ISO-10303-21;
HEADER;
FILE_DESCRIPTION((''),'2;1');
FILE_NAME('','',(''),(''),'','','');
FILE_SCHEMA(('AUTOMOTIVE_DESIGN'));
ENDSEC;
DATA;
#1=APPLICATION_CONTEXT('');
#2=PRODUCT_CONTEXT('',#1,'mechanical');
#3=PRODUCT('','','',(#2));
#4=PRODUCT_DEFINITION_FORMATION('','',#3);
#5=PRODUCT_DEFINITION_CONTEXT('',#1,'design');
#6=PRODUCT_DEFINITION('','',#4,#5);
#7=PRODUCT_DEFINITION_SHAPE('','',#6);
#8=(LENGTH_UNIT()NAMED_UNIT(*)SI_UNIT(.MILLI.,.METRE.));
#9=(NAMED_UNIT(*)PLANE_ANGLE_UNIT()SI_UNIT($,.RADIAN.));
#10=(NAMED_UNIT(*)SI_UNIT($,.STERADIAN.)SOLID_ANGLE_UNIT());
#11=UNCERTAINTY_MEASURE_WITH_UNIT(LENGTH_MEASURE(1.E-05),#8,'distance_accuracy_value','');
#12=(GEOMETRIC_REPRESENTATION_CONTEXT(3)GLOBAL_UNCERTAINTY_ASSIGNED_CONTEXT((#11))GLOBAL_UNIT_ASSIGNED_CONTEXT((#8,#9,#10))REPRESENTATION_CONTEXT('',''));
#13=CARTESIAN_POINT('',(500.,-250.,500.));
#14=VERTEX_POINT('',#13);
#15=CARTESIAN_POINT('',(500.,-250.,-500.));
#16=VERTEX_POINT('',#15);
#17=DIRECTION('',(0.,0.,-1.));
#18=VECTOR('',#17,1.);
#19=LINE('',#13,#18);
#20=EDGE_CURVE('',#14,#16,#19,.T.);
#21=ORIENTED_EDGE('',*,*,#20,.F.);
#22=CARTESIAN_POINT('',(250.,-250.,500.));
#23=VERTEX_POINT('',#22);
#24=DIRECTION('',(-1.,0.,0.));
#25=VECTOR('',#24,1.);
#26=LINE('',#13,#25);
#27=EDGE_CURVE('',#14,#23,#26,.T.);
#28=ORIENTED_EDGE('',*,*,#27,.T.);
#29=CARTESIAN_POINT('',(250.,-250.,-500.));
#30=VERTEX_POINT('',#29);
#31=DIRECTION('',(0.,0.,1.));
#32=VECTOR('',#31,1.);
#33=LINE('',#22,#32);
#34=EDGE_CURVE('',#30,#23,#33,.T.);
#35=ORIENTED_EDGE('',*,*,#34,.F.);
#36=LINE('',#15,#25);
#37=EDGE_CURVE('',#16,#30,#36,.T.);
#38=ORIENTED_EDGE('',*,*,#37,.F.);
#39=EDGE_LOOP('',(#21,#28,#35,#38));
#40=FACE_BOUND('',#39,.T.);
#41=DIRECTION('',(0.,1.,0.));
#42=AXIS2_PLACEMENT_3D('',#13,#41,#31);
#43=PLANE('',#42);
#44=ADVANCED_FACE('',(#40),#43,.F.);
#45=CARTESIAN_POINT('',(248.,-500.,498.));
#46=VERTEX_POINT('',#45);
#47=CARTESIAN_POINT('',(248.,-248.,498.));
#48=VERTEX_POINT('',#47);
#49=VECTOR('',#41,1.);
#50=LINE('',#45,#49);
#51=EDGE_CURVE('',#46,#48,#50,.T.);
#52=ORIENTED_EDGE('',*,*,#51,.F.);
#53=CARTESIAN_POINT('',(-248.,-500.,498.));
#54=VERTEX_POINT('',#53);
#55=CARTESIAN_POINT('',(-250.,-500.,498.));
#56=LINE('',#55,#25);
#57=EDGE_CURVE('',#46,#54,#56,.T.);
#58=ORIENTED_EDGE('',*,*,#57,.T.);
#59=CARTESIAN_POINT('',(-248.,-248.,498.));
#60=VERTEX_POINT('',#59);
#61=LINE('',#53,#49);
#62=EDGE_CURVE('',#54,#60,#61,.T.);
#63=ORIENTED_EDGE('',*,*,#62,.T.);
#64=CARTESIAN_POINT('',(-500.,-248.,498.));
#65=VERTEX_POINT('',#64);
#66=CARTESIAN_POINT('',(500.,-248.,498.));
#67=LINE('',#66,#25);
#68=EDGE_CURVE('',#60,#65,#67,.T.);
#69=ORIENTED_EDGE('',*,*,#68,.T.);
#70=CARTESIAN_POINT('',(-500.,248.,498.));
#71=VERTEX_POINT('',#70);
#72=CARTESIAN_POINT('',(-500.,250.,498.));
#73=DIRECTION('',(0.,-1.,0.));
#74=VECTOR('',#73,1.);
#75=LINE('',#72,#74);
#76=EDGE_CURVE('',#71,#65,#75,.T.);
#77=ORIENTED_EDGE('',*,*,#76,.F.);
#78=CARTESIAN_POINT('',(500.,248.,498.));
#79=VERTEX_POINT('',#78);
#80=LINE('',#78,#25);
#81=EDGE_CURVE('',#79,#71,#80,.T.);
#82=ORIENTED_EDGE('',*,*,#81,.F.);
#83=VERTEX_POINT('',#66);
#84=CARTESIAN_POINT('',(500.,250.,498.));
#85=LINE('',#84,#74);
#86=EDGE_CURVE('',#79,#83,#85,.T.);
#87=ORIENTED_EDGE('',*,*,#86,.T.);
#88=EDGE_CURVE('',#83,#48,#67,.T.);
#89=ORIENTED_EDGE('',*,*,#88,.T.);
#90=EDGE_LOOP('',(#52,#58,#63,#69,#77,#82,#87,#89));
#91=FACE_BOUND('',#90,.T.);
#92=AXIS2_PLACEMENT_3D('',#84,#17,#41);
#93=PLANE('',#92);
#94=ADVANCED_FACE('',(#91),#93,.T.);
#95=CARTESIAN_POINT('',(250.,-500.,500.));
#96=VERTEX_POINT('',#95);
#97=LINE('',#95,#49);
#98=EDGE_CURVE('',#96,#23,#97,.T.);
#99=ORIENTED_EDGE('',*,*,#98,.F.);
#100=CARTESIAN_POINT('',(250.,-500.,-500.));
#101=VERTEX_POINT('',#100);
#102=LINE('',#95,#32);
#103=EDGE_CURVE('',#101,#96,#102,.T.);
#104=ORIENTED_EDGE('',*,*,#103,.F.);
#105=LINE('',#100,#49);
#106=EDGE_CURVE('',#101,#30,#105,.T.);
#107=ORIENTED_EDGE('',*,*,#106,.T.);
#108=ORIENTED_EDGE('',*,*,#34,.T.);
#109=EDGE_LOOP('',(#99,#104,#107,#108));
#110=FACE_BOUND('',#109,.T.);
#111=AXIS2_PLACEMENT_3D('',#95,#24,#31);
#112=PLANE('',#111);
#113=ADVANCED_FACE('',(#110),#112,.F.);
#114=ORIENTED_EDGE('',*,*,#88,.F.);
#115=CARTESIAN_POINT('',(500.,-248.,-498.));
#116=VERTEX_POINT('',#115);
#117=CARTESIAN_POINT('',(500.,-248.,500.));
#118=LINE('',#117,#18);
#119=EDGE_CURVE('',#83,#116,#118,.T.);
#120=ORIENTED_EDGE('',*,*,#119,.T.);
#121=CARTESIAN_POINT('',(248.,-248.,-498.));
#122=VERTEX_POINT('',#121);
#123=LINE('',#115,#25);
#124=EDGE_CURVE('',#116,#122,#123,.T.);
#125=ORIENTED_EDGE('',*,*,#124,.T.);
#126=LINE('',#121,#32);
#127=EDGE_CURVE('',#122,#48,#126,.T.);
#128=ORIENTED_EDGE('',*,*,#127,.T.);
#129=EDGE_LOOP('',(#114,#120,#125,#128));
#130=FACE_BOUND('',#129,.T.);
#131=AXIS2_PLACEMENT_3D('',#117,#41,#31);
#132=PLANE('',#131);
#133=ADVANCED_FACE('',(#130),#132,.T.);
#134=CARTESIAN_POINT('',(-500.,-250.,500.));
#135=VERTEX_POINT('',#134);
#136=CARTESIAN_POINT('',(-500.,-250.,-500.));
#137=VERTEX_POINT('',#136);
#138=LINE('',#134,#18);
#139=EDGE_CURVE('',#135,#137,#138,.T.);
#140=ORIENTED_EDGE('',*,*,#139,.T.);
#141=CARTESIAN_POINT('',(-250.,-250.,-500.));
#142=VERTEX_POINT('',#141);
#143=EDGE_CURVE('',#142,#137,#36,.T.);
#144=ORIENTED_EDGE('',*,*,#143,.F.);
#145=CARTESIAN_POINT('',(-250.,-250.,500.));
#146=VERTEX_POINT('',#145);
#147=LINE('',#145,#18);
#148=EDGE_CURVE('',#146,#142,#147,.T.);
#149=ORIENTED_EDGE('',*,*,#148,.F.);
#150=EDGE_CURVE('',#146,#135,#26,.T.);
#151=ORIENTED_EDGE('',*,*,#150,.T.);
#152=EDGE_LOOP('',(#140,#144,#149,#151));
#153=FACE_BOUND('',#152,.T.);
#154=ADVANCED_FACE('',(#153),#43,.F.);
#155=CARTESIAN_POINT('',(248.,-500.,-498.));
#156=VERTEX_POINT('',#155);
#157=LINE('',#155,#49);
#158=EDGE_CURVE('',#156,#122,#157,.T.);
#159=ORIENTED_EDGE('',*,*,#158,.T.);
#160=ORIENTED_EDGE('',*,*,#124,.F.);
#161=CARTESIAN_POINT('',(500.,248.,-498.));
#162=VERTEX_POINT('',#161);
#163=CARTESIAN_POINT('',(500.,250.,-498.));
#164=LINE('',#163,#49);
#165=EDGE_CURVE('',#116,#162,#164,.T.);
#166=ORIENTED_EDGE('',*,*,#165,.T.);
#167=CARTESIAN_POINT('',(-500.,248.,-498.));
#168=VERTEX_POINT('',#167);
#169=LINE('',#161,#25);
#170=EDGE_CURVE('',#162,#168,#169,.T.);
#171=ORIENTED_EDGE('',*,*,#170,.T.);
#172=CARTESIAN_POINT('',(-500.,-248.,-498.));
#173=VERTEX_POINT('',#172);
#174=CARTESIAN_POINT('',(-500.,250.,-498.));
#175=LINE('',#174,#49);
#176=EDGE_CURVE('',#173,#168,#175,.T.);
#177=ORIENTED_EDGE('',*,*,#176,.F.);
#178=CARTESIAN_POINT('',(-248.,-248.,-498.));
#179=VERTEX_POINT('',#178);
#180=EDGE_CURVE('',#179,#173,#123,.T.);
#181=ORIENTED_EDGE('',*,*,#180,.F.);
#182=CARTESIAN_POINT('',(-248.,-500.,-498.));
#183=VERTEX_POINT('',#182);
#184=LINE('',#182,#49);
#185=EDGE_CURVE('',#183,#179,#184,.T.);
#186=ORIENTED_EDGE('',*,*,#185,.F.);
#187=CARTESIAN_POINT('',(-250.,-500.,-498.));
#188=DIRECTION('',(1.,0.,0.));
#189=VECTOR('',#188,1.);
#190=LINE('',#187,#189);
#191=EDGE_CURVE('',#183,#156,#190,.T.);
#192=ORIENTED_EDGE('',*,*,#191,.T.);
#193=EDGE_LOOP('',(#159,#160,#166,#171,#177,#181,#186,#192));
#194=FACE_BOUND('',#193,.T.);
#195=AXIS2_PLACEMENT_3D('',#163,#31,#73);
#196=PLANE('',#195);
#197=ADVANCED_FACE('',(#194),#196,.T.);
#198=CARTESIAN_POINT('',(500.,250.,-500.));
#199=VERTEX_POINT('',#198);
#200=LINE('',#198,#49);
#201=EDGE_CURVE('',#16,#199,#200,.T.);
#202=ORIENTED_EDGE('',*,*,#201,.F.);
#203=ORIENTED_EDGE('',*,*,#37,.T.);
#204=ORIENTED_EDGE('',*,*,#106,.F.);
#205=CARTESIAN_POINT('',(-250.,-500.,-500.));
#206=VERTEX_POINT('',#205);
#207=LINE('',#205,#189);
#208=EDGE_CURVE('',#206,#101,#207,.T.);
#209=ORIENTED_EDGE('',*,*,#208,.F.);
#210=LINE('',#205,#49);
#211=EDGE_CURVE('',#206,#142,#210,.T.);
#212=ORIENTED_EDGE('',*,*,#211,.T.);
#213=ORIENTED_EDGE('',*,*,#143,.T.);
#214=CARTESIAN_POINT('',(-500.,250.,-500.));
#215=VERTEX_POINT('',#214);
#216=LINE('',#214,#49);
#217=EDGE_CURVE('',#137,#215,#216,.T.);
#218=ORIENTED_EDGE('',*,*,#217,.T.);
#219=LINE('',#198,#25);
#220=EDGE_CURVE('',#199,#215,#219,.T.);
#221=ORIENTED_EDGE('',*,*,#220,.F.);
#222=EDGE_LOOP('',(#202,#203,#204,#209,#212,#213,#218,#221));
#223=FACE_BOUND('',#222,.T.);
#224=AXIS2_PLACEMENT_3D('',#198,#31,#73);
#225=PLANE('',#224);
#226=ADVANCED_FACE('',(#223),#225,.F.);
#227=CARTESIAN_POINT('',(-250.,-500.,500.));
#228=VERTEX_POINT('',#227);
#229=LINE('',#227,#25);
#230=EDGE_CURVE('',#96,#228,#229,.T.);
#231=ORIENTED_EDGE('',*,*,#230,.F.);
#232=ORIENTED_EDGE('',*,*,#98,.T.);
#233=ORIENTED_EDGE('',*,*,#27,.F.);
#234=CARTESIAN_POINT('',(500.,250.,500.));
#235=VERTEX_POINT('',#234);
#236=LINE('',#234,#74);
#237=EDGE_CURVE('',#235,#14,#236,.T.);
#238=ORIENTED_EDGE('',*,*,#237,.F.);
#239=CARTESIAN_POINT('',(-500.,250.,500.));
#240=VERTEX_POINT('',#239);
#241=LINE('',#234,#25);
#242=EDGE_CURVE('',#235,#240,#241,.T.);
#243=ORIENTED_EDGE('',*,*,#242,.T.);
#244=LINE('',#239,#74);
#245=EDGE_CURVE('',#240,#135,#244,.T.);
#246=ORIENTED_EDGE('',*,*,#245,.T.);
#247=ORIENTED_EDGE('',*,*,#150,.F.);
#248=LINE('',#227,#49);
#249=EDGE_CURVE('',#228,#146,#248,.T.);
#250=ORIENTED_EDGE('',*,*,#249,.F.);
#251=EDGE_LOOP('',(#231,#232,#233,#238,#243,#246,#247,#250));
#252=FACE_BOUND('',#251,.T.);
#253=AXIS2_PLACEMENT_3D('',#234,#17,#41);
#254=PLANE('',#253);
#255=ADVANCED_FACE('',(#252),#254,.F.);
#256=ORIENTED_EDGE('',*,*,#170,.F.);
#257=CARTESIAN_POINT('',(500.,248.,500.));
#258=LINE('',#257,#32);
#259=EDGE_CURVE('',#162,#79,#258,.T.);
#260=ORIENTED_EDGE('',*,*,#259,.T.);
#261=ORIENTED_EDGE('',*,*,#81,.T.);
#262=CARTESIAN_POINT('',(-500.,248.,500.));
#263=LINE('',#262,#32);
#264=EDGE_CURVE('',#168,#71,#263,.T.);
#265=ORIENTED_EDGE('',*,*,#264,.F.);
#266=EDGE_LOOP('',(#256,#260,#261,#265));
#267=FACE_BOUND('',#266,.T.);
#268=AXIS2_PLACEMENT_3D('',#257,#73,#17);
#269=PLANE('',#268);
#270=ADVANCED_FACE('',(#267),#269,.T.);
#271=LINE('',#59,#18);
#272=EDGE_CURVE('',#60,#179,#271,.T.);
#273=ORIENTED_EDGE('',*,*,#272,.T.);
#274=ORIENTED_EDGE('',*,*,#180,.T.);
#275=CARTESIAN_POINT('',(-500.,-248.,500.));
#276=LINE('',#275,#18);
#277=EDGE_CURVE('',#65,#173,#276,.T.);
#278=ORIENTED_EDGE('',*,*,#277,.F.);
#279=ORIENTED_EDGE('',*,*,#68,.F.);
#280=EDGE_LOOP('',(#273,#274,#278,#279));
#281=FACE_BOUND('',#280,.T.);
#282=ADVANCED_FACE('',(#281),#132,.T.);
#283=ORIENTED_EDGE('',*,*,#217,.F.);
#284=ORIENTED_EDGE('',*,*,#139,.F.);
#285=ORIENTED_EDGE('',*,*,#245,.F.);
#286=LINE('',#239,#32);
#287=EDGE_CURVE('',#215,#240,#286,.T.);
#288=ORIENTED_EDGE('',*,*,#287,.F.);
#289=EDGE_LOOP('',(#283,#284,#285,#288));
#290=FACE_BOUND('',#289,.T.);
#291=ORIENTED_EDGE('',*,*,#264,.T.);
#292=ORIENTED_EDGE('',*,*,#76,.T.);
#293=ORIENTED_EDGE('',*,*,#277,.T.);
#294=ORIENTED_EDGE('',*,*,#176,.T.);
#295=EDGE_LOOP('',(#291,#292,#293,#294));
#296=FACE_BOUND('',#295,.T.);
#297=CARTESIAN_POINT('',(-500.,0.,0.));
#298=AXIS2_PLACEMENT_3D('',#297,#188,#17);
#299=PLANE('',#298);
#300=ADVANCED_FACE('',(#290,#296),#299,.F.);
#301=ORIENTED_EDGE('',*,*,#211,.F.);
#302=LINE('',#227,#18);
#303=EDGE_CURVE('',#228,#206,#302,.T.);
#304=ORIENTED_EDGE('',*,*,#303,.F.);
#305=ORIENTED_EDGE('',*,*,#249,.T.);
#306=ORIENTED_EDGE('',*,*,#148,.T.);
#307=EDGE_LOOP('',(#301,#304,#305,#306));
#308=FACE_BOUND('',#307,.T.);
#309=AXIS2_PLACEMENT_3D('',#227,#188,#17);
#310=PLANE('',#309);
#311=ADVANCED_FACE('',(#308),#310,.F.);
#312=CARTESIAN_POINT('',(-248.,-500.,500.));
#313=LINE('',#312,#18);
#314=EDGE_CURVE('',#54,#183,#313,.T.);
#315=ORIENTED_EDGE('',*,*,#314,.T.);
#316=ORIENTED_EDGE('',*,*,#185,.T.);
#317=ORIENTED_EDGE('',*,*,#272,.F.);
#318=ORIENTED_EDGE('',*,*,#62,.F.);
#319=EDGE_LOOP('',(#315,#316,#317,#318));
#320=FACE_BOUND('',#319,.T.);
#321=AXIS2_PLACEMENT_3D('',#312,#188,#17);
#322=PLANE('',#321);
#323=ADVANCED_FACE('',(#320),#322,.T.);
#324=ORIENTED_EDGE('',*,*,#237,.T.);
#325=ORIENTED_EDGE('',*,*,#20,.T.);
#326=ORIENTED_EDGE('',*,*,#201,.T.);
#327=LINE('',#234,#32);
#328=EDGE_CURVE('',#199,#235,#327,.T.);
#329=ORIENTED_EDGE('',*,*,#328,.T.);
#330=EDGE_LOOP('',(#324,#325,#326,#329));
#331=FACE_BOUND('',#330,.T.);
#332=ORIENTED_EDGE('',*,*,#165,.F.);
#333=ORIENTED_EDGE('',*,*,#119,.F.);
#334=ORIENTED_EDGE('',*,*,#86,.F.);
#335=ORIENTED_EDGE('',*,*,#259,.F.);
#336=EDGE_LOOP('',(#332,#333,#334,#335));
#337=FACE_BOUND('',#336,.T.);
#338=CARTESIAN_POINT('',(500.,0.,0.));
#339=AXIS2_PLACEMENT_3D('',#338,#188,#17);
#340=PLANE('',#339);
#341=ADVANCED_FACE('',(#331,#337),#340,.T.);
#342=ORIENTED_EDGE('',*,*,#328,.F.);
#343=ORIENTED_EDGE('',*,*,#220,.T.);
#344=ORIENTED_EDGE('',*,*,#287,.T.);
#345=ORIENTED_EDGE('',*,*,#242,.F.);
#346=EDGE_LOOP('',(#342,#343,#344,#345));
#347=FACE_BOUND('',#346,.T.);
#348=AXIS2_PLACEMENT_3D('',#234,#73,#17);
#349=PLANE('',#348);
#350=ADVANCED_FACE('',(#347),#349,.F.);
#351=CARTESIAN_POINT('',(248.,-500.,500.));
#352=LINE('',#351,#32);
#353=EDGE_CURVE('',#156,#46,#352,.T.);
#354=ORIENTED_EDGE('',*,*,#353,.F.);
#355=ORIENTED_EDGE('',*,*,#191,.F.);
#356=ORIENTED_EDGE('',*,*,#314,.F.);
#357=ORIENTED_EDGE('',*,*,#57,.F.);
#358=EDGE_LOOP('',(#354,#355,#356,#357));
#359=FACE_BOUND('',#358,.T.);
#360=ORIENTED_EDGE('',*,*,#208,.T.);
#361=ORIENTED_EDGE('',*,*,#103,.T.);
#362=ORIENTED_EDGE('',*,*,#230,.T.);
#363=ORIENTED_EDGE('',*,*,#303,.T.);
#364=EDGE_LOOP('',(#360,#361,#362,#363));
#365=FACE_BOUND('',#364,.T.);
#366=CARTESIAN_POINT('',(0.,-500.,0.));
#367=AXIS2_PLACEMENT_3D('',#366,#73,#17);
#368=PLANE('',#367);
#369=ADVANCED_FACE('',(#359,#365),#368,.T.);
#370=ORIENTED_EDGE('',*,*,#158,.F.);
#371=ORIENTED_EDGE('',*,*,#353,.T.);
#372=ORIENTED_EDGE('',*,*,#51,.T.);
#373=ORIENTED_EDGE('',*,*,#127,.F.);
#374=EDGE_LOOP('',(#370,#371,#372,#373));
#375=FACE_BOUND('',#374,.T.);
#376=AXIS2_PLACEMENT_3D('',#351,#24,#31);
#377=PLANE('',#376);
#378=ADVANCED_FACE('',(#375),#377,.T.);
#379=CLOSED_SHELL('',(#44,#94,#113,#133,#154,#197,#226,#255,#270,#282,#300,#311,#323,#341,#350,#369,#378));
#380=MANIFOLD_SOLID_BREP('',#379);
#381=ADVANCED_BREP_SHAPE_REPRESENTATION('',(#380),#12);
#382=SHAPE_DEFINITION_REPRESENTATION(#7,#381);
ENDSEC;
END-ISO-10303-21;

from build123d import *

# Parameters (mm, degrees)
SKETCH1_W           = 1000
SKETCH1_H           = 500
SKETCH1_W_2         = 996
SKETCH1_H_2         = 496
EXTRUDE_THIN1_DEPTH = 500
SKETCH2_W           = 500
SKETCH2_H           = 1000
SKETCH2_W_2         = 496
SKETCH2_H_2         = 996
EXTRUDE_THIN2_DEPTH = 250
CUT_EXTRUDE1_REACH  = 1032.776
SKETCH3_W           = 496
SKETCH3_H           = 996


with BuildPart() as part:
    # Sketch1 → Extrude-Thin1 (new, symmetric)
    with BuildSketch(Plane(origin=(0, 0, 0), x_dir=(0, 0, -1), z_dir=(1, 0, 0))):
        Rectangle(SKETCH1_W, SKETCH1_H)
        Rectangle(SKETCH1_W_2, SKETCH1_H_2, mode=Mode.SUBTRACT)
    extrude(amount=EXTRUDE_THIN1_DEPTH, both=True)

    # Sketch2 → Extrude-Thin2 (add)
    with BuildSketch(Plane.XZ.offset(250)):
        Rectangle(SKETCH2_W, SKETCH2_H)
        Rectangle(SKETCH2_W_2, SKETCH2_H_2, mode=Mode.SUBTRACT)
    extrude(amount=EXTRUDE_THIN2_DEPTH)

    # Sketch3 → Cut-Extrude1 (cut, up to next)
    with BuildSketch(Plane.XZ.offset(500), mode=Mode.PRIVATE) as cut_extrude1_sk1:
        Rectangle(SKETCH3_W, SKETCH3_H)
    cut_extrude1_tool1 = extrude(cut_extrude1_sk1.sketch, amount=-CUT_EXTRUDE1_REACH, mode=Mode.PRIVATE) & part.part
    add(cut_extrude1_tool1.solids().sort_by_distance((0, -500, 0))[0], mode=Mode.SUBTRACT)


solid = part.part
